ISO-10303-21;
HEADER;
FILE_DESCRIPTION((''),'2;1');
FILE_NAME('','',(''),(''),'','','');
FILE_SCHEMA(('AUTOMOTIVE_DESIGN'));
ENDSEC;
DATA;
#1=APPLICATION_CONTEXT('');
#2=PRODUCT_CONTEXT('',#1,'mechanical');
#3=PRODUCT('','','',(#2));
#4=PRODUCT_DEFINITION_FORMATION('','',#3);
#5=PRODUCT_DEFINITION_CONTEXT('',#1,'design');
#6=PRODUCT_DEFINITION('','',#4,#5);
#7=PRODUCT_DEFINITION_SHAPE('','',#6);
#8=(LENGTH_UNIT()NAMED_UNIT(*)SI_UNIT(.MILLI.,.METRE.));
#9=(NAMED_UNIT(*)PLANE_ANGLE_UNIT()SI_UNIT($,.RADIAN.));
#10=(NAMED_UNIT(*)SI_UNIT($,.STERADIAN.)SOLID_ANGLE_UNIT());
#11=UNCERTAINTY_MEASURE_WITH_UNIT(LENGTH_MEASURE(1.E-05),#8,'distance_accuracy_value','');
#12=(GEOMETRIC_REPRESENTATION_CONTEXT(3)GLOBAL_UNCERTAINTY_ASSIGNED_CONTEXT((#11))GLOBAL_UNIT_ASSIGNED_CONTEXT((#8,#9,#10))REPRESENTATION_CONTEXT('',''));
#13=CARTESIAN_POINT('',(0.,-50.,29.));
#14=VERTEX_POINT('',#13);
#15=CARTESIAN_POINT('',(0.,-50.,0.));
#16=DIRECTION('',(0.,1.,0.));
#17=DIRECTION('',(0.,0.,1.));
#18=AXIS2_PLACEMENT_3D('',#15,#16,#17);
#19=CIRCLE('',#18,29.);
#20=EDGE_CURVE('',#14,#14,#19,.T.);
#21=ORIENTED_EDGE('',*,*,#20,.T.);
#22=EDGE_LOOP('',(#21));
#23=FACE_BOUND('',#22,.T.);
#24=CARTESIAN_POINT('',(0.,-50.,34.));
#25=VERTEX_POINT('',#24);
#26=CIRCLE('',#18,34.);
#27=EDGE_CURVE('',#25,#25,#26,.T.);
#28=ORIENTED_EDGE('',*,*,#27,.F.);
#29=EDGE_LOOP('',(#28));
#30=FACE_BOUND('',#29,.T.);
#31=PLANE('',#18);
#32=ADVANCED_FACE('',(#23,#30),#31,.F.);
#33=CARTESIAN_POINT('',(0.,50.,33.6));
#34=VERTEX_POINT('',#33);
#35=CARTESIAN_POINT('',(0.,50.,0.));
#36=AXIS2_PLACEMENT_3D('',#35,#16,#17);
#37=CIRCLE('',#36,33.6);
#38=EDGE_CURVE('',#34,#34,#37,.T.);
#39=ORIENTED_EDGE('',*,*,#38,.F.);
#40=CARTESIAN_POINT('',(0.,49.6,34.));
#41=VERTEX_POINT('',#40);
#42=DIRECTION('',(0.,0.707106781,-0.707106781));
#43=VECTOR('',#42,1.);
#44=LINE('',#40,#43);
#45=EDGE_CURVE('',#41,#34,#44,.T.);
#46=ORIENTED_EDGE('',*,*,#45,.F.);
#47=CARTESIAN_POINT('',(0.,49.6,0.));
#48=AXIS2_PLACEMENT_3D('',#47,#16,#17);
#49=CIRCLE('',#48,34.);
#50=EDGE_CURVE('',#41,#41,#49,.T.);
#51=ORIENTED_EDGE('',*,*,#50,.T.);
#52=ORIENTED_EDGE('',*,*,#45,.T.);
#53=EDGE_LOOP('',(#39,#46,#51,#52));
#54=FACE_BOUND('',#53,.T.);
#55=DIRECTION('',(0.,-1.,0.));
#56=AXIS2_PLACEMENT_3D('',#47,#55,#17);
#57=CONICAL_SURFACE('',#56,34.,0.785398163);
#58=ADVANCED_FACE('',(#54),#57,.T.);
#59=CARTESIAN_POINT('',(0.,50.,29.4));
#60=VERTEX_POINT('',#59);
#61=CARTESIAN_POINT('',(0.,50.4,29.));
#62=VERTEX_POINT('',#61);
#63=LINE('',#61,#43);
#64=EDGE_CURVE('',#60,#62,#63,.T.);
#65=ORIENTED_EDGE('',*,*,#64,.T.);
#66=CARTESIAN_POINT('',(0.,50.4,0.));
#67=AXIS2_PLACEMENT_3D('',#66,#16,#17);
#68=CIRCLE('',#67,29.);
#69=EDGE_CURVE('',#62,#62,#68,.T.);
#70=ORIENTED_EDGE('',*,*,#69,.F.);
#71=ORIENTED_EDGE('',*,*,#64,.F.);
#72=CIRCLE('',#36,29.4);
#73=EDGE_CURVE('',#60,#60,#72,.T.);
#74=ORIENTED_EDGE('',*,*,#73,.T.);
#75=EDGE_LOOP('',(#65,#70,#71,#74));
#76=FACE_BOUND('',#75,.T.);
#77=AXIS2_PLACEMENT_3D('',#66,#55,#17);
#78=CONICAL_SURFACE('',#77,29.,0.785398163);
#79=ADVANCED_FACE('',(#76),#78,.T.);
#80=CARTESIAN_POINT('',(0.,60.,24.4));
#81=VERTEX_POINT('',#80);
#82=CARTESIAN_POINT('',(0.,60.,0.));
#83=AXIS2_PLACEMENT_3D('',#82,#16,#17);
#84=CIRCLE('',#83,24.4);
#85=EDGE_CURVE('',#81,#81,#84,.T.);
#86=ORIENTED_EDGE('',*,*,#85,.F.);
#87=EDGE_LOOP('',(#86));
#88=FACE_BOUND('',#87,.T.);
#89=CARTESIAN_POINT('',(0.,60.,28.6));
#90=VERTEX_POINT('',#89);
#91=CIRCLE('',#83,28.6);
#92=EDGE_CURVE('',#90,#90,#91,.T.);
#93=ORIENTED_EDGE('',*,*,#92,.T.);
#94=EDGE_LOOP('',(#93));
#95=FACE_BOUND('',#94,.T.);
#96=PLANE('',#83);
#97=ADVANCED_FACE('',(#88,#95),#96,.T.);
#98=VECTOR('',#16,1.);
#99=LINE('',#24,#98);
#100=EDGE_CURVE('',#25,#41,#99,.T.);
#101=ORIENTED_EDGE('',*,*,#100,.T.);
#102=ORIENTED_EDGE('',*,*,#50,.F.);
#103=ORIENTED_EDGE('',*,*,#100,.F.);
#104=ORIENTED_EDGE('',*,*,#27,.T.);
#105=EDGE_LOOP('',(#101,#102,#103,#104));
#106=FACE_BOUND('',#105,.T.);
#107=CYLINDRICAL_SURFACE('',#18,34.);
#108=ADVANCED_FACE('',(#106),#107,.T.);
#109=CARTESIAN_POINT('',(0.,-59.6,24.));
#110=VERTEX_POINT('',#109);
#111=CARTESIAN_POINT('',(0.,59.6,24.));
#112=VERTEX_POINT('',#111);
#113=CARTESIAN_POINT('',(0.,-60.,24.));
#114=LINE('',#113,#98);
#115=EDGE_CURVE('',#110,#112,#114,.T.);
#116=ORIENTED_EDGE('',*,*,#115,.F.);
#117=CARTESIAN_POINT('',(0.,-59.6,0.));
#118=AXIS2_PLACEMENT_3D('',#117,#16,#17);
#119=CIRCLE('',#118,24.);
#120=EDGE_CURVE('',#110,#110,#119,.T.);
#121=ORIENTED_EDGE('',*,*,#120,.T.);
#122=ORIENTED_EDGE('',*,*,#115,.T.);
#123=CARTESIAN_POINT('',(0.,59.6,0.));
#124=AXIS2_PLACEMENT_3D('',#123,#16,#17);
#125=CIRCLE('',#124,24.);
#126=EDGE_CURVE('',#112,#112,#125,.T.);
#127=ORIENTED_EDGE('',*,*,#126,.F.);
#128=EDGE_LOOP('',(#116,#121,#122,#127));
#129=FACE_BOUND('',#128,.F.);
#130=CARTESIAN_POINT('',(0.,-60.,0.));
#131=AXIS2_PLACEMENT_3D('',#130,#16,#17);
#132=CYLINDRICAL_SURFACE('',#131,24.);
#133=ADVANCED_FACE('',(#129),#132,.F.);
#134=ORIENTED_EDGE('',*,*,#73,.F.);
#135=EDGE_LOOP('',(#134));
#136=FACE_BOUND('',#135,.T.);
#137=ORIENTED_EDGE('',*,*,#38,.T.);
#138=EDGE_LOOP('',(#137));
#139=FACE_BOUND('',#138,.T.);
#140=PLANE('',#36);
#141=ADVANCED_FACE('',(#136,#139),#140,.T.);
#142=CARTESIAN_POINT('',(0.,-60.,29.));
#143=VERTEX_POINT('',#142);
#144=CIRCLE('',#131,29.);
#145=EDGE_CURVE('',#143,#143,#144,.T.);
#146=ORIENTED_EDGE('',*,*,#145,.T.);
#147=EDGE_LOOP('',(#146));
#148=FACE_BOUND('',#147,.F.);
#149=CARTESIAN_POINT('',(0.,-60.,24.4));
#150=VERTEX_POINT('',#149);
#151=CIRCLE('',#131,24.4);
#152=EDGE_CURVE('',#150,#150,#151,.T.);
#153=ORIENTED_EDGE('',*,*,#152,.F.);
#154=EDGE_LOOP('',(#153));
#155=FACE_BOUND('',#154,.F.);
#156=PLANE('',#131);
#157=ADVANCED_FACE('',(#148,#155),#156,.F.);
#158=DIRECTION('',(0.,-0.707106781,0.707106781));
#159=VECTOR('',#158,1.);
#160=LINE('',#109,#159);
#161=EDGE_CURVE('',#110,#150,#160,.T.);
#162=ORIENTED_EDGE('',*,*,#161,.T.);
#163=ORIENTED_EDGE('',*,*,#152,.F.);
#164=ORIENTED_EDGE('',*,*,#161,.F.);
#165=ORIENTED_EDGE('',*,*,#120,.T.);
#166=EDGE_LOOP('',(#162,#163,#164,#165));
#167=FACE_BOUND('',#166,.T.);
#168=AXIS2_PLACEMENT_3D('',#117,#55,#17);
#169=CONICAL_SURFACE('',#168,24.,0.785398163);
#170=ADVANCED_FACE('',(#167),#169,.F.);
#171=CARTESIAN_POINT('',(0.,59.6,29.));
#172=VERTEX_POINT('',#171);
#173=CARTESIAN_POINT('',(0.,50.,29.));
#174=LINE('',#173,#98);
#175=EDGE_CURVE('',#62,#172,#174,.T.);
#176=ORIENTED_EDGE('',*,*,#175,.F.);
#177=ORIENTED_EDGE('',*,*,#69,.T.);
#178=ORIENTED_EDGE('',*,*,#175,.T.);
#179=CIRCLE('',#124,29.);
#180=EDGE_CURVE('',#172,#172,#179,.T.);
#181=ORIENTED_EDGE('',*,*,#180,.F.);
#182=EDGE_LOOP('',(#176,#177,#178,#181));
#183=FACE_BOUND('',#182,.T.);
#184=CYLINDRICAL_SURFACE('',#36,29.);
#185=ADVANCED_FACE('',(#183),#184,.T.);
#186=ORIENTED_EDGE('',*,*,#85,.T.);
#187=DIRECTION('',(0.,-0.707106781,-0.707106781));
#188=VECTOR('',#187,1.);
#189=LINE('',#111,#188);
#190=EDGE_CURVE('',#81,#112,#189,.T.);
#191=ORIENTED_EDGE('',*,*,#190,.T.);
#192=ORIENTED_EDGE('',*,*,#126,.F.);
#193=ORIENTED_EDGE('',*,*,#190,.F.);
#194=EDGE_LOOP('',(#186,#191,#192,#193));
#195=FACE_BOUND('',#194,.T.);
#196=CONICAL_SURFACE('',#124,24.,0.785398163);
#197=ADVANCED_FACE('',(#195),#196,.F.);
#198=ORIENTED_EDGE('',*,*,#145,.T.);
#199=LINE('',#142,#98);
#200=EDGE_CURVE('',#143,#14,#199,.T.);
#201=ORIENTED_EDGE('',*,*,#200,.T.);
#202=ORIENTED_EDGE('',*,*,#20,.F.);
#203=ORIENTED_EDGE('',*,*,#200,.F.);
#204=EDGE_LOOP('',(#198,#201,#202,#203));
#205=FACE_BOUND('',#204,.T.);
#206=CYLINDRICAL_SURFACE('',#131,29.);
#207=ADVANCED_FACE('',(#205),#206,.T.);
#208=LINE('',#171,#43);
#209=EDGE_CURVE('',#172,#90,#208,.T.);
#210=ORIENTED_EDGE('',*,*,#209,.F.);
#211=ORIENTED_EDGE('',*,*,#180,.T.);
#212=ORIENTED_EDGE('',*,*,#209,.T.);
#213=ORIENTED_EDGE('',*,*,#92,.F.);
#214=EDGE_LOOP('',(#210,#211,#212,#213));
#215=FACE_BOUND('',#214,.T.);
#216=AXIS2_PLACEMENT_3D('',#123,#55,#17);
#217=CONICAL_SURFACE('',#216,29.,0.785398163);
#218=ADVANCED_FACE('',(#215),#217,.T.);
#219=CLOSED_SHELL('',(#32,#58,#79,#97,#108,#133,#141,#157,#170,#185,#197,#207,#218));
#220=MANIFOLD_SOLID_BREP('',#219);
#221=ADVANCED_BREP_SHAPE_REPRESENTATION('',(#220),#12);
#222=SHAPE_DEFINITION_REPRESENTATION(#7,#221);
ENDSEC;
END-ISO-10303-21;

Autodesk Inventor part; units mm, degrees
ref_plane "YZ Plane" through (0, 0, 0) normal (1, 0, 0) x (0, 1, 0)
ref_plane "XZ Plane" through (0, 0, 0) normal (0, 1, 0) x (-1, 0, 0)
ref_plane "XY Plane" through (0, 0, 0) normal (0, 0, 1) x (1, 0, 0)
sketch "スケッチ1" plane through (0, 0, 0) normal (1, 0, 0) x (0, 1, 0)
  line L0 (-60, 29) -> (-50, 29)
  line L1 (-50, 29) -> (-50, 34)
  line L2 (-50, 34) -> (50, 34)
  line L3 (50, 34) -> (50, 29)
  line L4 (50, 29) -> (60, 29)
  line L5 (-60, 29) -> (-60, 24)
  line L6 (-60, 24) -> (60, 24)
  line L7 (-60, 0) -> (60, 0)
  line L8 (60, 29) -> (60, 24)
  point P0 (0, 0)
  point P1 (0, 0)
  dimension "d3" = 100
  dimension "d17" = 120
  dimension "d18" = 68
  dimension "d19" = 58
  dimension "d20" = 48
revolve "回転1" add sketch "スケッチ1" angle 360 about axis through (0, -60, 0) along (0, 1, 0)
chamfer "Chamfer1" distance 0.4 angle 45 5 edges at (0, -60, -24) (0, 60, -24) (0, 60, -29) (0, 50, -29) (0, 50, -34)
properties part number "chamber_nipple03" material "ABS Plastic"
